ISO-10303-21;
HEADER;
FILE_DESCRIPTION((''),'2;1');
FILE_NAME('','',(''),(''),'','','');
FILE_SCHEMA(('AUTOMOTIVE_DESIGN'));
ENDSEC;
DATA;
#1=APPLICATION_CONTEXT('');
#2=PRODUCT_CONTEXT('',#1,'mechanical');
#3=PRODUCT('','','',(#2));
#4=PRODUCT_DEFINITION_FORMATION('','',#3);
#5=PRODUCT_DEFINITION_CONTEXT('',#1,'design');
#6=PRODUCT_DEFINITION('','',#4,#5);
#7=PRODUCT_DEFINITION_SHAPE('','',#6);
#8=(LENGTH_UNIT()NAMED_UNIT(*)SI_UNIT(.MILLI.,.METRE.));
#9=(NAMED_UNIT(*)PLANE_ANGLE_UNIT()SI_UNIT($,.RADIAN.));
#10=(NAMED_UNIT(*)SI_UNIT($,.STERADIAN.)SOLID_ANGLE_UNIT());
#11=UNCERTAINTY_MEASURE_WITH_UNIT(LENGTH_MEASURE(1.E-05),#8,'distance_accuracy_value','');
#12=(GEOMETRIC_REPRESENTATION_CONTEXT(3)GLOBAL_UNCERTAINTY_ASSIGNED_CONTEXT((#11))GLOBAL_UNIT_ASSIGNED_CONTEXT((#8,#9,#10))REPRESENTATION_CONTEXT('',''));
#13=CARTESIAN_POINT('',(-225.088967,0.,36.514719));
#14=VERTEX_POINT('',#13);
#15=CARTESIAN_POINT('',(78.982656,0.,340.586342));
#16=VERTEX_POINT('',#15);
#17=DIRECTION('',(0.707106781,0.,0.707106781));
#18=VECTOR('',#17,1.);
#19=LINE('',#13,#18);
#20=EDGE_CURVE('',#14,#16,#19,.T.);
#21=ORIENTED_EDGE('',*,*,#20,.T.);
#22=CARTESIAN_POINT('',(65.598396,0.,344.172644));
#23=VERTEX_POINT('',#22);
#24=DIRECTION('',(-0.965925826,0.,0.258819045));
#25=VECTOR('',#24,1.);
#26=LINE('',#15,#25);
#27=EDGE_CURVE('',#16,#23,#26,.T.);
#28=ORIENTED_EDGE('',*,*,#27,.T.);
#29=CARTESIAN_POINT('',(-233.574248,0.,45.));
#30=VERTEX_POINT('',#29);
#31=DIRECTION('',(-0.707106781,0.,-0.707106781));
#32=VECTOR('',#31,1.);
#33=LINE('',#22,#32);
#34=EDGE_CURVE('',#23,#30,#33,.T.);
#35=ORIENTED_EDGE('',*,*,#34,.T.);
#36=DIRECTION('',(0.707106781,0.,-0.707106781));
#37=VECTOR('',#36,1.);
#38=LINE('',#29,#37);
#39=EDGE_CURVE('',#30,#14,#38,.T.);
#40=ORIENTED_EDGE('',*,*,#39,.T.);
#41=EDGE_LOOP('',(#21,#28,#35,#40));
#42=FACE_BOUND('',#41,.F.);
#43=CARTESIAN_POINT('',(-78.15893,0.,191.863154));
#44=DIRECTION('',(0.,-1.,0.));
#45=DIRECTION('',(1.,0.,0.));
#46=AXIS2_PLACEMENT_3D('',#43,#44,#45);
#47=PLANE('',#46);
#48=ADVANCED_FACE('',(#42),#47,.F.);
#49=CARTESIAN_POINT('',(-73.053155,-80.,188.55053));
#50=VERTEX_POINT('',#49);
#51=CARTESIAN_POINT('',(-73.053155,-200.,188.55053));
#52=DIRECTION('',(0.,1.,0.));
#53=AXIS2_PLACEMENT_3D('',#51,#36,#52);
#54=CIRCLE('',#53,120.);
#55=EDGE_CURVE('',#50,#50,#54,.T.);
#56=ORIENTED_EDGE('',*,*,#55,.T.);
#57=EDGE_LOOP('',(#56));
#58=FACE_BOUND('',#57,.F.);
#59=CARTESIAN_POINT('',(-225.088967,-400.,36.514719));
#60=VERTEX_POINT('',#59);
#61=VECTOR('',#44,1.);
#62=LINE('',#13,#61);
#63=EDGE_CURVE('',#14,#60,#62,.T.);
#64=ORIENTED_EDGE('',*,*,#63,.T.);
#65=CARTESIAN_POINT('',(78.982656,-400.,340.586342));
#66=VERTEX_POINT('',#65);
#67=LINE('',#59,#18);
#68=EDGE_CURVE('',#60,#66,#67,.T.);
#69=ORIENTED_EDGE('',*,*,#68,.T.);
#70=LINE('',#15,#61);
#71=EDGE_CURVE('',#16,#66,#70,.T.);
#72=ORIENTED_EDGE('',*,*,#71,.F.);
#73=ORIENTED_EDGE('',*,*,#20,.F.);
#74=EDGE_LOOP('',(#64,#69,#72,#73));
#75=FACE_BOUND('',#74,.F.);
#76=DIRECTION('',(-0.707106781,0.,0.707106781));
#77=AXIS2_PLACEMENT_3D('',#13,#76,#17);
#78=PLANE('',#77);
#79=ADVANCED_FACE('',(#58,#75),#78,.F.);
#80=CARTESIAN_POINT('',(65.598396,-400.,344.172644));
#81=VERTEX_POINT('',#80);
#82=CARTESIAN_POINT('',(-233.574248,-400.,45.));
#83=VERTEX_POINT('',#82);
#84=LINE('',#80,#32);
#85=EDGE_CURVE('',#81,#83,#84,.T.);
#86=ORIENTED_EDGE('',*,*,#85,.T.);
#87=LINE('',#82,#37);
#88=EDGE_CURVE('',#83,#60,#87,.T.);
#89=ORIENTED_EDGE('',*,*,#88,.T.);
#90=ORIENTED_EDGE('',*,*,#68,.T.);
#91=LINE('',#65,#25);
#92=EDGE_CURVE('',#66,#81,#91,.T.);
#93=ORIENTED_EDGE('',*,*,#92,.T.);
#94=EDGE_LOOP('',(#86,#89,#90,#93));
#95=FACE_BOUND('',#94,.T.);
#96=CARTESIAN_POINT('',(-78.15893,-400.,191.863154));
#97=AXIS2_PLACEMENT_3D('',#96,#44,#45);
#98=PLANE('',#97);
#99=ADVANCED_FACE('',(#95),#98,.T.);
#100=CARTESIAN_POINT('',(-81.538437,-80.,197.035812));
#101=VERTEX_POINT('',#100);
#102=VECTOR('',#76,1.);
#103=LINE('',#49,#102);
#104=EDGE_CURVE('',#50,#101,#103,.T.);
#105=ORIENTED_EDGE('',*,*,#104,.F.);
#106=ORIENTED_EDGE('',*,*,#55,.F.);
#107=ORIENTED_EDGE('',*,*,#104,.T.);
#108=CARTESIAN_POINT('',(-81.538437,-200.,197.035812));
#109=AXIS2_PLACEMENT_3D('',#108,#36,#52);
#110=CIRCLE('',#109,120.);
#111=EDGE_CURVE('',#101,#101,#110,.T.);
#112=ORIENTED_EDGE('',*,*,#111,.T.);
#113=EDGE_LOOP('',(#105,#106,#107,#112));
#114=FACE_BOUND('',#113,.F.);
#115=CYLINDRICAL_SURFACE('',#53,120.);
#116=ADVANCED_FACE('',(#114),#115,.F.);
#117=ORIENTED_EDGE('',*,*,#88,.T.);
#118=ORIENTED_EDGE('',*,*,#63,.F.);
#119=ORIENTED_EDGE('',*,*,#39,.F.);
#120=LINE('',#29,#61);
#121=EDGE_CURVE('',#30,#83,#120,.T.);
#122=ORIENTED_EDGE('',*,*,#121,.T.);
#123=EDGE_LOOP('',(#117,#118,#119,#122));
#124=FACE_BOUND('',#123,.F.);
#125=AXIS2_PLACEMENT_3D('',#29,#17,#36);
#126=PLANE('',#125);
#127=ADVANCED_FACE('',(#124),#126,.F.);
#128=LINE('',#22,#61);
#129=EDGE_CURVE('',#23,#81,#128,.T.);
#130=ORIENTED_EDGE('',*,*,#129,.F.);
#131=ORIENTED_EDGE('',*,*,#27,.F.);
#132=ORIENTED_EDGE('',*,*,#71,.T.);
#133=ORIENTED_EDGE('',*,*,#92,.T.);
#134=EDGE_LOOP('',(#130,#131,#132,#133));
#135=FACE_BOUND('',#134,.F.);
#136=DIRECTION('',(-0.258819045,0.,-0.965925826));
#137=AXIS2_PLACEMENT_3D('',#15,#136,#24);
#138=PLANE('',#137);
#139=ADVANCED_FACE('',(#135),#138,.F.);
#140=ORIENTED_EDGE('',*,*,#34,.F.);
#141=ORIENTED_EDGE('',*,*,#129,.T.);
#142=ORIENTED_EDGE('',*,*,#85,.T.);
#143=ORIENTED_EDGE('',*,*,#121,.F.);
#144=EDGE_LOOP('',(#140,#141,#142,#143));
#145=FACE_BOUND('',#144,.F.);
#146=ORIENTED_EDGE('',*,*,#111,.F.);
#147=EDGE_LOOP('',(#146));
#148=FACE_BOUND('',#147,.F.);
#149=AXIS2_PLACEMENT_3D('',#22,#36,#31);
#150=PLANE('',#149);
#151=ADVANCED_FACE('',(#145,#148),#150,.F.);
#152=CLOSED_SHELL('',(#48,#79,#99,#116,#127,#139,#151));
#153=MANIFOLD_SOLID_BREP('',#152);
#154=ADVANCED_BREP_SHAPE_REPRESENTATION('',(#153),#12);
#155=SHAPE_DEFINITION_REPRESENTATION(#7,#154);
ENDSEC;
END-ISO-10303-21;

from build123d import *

# Parameters (mm, degrees)
F1_DEPTH = 400
F3_DEPTH = 25


with BuildPart() as f1:
    # F0 (on Front) → F1 (new body)
    with BuildSketch(Plane.XZ):
        Polygon((-225.0889671236, 36.5147186258), (78.9826564552, 340.5863422045), (65.5983955954, 344.1726440932), (-233.5742484978, 45), align=None)
    extrude(amount=F1_DEPTH)

    # F2 (on face) → F3 (cut)
    with BuildSketch(Plane(origin=(-130.8018428747, 0, 130.8018428747), x_dir=(0, 1, 0), z_dir=(0.7071067812, 0, -0.7071067812))):
        with BuildLine():
            ThreePointArc((-320, 81.668977129), (-200, -38.331022871), (-80, 81.668977129))
            Line((-80, 81.668977129), (-320, 81.668977129))
        make_face()
        with BuildLine():
            Line((-320, 81.668977129), (-80, 81.668977129))
            ThreePointArc((-80, 81.668977129), (-200, 201.668977129), (-320, 81.668977129))
        make_face()
    extrude(amount=-F3_DEPTH, mode=Mode.SUBTRACT)


solid = f1.part
